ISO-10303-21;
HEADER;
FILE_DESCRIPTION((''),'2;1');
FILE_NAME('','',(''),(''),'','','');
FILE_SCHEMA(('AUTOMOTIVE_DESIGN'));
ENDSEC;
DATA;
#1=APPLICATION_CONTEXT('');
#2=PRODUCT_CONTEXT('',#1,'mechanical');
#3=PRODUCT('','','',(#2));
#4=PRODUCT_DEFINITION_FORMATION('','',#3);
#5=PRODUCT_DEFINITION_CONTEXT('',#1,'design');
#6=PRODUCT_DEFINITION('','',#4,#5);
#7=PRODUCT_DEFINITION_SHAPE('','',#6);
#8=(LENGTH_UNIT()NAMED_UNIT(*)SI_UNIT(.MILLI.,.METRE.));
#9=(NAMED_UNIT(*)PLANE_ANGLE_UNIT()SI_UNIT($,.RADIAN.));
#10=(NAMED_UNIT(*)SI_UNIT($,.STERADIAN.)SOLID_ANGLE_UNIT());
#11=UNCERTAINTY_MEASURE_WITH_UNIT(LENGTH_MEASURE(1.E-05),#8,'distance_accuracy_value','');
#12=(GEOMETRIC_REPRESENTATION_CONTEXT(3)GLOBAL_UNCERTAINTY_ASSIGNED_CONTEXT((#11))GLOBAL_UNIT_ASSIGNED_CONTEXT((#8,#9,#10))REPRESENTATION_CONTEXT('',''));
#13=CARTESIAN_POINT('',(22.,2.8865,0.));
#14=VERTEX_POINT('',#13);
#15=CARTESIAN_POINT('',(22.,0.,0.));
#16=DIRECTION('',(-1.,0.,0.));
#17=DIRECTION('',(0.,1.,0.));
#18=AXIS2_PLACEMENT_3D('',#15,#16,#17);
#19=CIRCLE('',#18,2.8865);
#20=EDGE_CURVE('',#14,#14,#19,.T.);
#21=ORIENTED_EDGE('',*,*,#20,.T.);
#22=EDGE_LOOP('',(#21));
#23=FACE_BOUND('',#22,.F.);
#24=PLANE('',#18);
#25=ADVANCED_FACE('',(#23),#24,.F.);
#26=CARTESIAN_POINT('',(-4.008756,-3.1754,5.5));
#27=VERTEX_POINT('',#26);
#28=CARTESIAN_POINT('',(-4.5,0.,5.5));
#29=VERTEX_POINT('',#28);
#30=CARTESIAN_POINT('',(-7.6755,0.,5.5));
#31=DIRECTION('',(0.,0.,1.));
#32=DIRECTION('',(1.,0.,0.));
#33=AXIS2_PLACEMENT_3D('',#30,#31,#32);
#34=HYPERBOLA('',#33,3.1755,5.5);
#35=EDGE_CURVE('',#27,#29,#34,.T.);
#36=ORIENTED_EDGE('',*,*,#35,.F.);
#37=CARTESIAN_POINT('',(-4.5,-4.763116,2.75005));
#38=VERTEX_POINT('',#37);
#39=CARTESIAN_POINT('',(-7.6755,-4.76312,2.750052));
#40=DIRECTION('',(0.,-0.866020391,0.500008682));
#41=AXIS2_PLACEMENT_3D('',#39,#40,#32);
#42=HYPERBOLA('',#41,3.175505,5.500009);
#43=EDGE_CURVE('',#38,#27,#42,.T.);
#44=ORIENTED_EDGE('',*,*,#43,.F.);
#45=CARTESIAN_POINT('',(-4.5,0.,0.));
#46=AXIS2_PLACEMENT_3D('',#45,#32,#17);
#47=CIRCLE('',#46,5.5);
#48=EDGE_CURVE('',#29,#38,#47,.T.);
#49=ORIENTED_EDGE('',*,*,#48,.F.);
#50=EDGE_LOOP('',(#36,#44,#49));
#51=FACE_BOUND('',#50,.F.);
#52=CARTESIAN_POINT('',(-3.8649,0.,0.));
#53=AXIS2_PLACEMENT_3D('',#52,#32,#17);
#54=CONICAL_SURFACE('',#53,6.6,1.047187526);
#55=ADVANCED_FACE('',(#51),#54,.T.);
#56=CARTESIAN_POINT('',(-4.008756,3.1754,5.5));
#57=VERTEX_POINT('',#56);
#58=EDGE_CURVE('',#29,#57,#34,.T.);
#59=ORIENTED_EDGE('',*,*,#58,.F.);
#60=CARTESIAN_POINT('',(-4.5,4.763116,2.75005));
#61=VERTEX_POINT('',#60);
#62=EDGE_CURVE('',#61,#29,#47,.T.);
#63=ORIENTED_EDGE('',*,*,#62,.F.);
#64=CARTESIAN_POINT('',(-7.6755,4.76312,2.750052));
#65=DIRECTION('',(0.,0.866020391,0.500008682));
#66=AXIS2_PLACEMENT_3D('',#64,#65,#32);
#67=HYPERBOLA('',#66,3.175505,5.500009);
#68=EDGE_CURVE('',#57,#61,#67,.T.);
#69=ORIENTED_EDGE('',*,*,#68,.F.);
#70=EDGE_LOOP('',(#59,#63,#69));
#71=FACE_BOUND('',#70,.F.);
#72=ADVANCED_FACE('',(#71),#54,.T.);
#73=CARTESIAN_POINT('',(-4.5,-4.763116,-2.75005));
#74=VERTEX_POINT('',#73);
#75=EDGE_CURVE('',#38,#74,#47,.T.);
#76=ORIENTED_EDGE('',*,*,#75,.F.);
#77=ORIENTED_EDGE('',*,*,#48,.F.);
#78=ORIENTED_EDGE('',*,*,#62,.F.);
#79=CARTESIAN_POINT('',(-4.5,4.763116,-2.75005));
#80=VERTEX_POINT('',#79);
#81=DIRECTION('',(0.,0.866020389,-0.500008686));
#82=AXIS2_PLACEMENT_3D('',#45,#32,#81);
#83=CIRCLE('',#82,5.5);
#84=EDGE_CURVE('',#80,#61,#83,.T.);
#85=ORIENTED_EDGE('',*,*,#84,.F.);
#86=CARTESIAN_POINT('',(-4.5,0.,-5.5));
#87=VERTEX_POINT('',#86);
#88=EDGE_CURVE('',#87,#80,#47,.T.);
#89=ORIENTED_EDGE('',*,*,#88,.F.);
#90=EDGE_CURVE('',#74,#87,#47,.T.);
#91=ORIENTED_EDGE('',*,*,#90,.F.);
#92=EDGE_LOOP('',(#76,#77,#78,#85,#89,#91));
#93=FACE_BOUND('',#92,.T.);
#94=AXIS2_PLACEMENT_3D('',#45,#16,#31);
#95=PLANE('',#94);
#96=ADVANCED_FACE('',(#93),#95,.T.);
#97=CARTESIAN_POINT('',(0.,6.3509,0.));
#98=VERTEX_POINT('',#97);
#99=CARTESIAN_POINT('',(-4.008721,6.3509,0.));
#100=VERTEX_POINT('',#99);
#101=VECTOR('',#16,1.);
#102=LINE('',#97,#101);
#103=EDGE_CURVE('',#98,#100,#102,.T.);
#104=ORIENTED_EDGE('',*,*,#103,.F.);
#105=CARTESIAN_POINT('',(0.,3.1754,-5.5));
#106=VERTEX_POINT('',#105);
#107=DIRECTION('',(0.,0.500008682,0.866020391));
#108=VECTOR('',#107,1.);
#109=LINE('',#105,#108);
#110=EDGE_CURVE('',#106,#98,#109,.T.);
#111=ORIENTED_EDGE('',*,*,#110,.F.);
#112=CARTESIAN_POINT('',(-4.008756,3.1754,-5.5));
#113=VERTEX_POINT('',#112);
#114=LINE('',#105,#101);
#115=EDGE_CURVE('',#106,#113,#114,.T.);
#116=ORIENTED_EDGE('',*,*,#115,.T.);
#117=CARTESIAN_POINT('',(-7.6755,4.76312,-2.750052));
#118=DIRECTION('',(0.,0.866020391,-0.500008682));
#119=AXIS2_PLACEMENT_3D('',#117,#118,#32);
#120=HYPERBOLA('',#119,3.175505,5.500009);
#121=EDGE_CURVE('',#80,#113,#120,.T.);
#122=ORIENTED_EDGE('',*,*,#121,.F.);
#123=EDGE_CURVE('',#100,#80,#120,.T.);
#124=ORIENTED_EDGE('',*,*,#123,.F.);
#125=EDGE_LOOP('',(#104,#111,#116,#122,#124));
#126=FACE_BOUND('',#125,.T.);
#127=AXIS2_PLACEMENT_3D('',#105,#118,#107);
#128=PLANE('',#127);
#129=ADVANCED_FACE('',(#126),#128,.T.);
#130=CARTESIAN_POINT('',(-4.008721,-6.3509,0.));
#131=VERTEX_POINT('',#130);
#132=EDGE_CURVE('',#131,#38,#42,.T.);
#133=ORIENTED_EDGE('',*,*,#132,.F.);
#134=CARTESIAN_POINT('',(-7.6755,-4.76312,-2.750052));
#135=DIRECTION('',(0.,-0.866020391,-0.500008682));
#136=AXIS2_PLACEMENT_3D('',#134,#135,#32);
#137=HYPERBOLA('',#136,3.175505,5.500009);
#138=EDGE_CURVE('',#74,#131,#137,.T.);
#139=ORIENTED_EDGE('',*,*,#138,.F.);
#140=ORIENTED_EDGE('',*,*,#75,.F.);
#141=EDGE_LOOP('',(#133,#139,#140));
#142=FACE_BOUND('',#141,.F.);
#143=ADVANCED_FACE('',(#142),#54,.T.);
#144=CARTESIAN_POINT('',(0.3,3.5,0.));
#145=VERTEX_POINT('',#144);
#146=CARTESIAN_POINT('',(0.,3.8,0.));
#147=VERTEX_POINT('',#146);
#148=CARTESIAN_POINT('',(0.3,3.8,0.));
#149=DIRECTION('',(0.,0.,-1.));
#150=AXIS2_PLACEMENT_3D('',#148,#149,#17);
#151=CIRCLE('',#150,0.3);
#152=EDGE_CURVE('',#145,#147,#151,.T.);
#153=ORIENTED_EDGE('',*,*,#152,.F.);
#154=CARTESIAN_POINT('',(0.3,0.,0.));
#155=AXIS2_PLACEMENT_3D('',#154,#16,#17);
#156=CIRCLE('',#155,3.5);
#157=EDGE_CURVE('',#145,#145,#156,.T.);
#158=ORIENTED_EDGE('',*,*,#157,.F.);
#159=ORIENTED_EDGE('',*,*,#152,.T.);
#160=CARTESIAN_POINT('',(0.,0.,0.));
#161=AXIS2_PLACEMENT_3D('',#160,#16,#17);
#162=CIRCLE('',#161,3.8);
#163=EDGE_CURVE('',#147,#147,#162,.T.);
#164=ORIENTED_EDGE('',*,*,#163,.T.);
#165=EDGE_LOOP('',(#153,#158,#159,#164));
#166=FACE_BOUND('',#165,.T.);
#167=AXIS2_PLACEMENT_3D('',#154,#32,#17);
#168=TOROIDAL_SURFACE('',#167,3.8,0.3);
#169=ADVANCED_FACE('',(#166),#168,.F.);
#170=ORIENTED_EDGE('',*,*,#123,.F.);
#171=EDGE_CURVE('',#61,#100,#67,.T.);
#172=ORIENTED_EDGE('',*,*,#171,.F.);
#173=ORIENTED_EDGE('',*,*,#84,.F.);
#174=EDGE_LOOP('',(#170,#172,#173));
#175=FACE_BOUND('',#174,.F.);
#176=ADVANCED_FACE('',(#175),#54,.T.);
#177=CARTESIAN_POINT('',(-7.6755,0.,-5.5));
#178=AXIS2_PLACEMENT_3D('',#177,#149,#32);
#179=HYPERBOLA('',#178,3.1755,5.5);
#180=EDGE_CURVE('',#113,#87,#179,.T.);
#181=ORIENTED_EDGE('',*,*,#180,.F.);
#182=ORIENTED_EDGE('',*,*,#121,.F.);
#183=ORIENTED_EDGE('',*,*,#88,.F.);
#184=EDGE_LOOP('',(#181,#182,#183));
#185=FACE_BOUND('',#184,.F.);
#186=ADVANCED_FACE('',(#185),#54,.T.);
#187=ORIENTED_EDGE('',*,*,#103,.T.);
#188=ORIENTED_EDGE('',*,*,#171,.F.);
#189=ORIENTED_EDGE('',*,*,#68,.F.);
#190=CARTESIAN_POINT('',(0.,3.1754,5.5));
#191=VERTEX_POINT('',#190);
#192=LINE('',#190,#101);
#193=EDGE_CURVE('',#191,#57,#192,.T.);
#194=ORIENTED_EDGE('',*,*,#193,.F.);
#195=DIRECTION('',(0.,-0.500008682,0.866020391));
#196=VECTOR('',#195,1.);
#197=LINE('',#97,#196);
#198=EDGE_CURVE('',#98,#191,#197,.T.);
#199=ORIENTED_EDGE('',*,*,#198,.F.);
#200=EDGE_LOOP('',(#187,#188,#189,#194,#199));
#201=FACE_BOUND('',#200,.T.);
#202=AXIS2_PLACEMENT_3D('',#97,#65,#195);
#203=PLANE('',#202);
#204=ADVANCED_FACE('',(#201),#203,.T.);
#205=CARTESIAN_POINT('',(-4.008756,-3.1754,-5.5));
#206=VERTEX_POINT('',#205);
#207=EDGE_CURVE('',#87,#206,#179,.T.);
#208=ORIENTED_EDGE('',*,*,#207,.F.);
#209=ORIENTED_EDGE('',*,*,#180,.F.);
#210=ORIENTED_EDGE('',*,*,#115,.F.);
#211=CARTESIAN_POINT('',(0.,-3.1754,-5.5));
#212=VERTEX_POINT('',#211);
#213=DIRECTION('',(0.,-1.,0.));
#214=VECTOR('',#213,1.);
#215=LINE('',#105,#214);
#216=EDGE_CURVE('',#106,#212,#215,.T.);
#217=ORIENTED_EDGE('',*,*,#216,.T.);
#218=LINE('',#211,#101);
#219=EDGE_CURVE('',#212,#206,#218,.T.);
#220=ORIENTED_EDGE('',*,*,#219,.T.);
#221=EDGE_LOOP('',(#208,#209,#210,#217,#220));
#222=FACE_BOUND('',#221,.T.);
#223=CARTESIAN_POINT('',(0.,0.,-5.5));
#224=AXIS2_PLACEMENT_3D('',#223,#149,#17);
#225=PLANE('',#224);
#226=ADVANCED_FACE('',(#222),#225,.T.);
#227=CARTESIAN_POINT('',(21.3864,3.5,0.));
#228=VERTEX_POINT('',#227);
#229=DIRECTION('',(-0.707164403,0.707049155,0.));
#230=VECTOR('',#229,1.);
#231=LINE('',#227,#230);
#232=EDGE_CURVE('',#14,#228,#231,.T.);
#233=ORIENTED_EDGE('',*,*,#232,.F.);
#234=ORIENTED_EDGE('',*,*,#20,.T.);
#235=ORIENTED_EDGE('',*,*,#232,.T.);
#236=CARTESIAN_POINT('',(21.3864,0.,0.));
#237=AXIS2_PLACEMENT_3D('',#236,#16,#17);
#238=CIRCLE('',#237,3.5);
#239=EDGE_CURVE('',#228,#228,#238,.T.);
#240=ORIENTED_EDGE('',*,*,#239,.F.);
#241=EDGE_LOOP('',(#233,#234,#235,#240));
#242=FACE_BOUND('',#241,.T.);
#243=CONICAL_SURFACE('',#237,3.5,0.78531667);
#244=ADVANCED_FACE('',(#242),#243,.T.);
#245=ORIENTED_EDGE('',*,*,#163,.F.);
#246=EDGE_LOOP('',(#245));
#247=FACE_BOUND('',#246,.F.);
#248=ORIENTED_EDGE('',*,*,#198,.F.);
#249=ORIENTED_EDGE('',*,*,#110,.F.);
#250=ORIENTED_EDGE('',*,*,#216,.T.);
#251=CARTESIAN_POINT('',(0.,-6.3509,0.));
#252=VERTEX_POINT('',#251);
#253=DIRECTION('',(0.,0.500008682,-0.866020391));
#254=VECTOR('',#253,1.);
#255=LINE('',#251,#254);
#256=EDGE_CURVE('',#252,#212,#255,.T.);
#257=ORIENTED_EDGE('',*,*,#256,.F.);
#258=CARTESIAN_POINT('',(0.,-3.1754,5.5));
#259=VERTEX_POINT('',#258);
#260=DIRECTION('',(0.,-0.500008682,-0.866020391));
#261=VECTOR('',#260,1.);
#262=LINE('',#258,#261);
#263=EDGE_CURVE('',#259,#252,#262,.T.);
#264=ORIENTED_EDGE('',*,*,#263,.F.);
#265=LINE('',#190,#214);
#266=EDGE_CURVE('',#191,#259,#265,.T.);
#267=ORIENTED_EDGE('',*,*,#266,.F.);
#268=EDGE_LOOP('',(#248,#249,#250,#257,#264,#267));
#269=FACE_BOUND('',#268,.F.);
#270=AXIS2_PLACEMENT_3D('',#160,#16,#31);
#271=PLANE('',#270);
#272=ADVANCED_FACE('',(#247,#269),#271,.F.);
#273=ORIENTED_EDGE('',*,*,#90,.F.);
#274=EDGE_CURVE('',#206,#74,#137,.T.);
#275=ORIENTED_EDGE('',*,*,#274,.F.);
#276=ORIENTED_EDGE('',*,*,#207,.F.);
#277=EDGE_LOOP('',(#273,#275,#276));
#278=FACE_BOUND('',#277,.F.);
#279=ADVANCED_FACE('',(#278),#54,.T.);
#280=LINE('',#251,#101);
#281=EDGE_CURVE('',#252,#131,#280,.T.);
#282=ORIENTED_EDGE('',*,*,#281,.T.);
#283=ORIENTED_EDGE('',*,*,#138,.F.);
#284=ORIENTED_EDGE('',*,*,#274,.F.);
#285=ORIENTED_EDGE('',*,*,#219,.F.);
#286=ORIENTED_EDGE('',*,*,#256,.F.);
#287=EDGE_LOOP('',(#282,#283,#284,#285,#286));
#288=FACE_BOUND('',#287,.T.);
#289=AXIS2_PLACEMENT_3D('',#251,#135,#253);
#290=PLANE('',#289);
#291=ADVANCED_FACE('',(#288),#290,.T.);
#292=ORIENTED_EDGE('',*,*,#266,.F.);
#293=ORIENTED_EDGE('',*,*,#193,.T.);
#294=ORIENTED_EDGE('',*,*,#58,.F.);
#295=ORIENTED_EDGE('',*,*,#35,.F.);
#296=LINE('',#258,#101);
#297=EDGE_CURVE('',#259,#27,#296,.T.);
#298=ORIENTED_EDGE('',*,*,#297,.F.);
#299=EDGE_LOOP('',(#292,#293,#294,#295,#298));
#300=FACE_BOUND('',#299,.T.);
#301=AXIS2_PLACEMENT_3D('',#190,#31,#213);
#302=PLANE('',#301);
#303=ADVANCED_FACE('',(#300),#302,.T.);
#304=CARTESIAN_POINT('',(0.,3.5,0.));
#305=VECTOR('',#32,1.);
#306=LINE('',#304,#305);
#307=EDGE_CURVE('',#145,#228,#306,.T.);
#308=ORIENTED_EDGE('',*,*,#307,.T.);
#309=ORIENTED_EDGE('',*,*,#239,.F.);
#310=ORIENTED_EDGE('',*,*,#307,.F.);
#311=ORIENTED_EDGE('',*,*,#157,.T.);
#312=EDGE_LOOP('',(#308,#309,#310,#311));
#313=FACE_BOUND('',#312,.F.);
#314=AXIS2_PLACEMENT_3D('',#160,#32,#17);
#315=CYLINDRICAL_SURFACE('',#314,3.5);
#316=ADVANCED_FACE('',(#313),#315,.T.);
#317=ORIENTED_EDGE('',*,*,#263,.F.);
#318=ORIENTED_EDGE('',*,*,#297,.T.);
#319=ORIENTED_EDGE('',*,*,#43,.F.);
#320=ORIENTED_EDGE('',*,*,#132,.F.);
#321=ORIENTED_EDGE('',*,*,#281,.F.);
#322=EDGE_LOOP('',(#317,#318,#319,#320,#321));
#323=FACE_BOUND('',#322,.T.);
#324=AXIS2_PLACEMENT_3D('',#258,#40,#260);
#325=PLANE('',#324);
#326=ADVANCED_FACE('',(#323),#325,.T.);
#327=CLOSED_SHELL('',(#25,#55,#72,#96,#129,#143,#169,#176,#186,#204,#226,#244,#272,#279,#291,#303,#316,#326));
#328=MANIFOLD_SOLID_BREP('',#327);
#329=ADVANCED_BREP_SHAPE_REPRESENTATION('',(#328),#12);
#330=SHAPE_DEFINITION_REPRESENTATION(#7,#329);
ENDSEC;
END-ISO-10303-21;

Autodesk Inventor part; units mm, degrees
ref_plane "YZ Plane" through (0, 0, 0) normal (1, 0, 0) x (0, 1, 0)
ref_plane "XZ Plane" through (0, 0, 0) normal (0, 1, 0) x (-1, 0, 0)
sketch "Sketch1" plane through (0, 0, 0) normal (0, 0, 1) x (1, 0, 0)
  line L0 (0, 3.5) -> (22, 3.5)
  line L1 (22, 3.5) -> (22, 0)
  line L2 (22, 0) -> (0, 0)
  line L3 (-4.4, 0) -> (26.4, 0) projected
  line L4 (0, -0.7) -> (0, 4.2) projected
  line L5 (0, 3.5) -> (0, 0)
  dimension "d2" = 7
  dimension "d59" = 22
revolve "Body" add sketch "Sketch1" angle 360 about axis through (22, 0, 0) along (-1, 0, 0)
sketch "Sketch2" plane through (0, 0, 0) normal (-1, 0, 0) x (0, 0, 1)
  line L0 (0, 6.3509) -> (5.5, 3.1754)
  line L1 (5.5, 3.1754) -> (5.5, -3.1754)
  line L2 (5.5, -3.1754) -> (0, -6.3509)
  line L3 (0, -6.3509) -> (-5.5, -3.1754)
  line L4 (-5.5, -3.1754) -> (-5.5, 3.1754)
  line L5 (-5.5, 3.1754) -> (0, 6.3509)
  line L6 (-7.7, 0) -> (7.7, 0) projected
  line L7 (0, 8.8912) -> (0, -8.8912) projected
  point P0 (0, 0)
  point P1 (0, 0)
  dimension "d11" = 11
extrude "Head" add sketch "Sketch2" along normal blind 4.5
sketch "Sketch4" plane through (0, 0, 0) normal (0, 0, 1) x (1, 0, 0)
  line L0 (-3.8649, 6.6) -> (-4.5, 5.5)
  line L1 (-1.1, 0) -> (-0.234, 0)
  line L2 (-5.3532, 0) -> (0.6192, 0) projected
  line L3 (-4.5, 6.6) -> (-3.8649, 6.6)
  line L4 (-4.5, 5.5) -> (-4.5, 6.6)
  line L5 (0, 7.92) -> (0, -1.32) projected
  dimension "d65" = 11
  dimension "d67" = 30
  dimension "d68" = 13.2
  dimension "d69" = 4.5
revolve "Chamfer1" cut sketch "Sketch4" angle 360 about axis through (-1.1, 0, 0) along (1, 0, 0)
thread "Thread" size "M7x1" class "6g" standard "ISO Metric profile" length 13
chamfer "Chamfer2" distance 0.6135 distance2 0.6136 1 edges at (22, -3.5, 0) measured on face at (22, 0.6242, -1.2774)
fillet "Fillet2" radius 0.3 1 edges at (0, -3.5, 0)
ref_plane "Work Plane1" through (1.525, 0, 0) normal (0, 0, 1) x (1, 0, 0)
equation "\"d2\" = GD"
equation "\"d59\" = NLG"
equation "\"d11\" = SW"
equation "\"d3\" = KOH"
equation "\"d71\" = RR"
equation "\"d15\" = GEL"
equation "\"d6\" = -0.5 * SPD + 0.5 * GD"
equation "\"d65\" = SW"
equation "\"d67\" = ANG1"
equation "\"d68\" = 1.2 * SW"
equation "\"d69\" = KOH"
equation "\"NLG\" = 22"
equation "\"GD\" = NND"
equation "\"BDM\" = NND"
equation "\"KOH\" = 4.5"
equation "\"GEL\" = 13"
equation "\"SW\" = 11"
equation "\"SW0\" = 11"
equation "\"SPD\" = NND - 1.2269 * PTC"
equation "\"SD2\" = NND"
equation "\"SD\" = 0"
equation "\"ANG1\" = 30deg"
equation "\"GAL\" = 0.61345 * PTC"
equation "\"GUL\" = 0.61345 * PTC"
equation "\"RR\" = 0.3"
equation "\"RR1\" = 0.1"
equation "\"GD1\" = THREADDIA - 1.2269 * PTC"
equation "\"THREADDIA\" = 7"
equation "\"TOA\" = 30deg"
equation "\"FAWI\" = 60deg"
equation "\"PTC\" = 1"
equation "\"NND\" = 7"
equation "\"E0\" = 1.155 * SW"
properties part number "CSN 02 1201 - M7 x 22" material "Steel, Mild"
